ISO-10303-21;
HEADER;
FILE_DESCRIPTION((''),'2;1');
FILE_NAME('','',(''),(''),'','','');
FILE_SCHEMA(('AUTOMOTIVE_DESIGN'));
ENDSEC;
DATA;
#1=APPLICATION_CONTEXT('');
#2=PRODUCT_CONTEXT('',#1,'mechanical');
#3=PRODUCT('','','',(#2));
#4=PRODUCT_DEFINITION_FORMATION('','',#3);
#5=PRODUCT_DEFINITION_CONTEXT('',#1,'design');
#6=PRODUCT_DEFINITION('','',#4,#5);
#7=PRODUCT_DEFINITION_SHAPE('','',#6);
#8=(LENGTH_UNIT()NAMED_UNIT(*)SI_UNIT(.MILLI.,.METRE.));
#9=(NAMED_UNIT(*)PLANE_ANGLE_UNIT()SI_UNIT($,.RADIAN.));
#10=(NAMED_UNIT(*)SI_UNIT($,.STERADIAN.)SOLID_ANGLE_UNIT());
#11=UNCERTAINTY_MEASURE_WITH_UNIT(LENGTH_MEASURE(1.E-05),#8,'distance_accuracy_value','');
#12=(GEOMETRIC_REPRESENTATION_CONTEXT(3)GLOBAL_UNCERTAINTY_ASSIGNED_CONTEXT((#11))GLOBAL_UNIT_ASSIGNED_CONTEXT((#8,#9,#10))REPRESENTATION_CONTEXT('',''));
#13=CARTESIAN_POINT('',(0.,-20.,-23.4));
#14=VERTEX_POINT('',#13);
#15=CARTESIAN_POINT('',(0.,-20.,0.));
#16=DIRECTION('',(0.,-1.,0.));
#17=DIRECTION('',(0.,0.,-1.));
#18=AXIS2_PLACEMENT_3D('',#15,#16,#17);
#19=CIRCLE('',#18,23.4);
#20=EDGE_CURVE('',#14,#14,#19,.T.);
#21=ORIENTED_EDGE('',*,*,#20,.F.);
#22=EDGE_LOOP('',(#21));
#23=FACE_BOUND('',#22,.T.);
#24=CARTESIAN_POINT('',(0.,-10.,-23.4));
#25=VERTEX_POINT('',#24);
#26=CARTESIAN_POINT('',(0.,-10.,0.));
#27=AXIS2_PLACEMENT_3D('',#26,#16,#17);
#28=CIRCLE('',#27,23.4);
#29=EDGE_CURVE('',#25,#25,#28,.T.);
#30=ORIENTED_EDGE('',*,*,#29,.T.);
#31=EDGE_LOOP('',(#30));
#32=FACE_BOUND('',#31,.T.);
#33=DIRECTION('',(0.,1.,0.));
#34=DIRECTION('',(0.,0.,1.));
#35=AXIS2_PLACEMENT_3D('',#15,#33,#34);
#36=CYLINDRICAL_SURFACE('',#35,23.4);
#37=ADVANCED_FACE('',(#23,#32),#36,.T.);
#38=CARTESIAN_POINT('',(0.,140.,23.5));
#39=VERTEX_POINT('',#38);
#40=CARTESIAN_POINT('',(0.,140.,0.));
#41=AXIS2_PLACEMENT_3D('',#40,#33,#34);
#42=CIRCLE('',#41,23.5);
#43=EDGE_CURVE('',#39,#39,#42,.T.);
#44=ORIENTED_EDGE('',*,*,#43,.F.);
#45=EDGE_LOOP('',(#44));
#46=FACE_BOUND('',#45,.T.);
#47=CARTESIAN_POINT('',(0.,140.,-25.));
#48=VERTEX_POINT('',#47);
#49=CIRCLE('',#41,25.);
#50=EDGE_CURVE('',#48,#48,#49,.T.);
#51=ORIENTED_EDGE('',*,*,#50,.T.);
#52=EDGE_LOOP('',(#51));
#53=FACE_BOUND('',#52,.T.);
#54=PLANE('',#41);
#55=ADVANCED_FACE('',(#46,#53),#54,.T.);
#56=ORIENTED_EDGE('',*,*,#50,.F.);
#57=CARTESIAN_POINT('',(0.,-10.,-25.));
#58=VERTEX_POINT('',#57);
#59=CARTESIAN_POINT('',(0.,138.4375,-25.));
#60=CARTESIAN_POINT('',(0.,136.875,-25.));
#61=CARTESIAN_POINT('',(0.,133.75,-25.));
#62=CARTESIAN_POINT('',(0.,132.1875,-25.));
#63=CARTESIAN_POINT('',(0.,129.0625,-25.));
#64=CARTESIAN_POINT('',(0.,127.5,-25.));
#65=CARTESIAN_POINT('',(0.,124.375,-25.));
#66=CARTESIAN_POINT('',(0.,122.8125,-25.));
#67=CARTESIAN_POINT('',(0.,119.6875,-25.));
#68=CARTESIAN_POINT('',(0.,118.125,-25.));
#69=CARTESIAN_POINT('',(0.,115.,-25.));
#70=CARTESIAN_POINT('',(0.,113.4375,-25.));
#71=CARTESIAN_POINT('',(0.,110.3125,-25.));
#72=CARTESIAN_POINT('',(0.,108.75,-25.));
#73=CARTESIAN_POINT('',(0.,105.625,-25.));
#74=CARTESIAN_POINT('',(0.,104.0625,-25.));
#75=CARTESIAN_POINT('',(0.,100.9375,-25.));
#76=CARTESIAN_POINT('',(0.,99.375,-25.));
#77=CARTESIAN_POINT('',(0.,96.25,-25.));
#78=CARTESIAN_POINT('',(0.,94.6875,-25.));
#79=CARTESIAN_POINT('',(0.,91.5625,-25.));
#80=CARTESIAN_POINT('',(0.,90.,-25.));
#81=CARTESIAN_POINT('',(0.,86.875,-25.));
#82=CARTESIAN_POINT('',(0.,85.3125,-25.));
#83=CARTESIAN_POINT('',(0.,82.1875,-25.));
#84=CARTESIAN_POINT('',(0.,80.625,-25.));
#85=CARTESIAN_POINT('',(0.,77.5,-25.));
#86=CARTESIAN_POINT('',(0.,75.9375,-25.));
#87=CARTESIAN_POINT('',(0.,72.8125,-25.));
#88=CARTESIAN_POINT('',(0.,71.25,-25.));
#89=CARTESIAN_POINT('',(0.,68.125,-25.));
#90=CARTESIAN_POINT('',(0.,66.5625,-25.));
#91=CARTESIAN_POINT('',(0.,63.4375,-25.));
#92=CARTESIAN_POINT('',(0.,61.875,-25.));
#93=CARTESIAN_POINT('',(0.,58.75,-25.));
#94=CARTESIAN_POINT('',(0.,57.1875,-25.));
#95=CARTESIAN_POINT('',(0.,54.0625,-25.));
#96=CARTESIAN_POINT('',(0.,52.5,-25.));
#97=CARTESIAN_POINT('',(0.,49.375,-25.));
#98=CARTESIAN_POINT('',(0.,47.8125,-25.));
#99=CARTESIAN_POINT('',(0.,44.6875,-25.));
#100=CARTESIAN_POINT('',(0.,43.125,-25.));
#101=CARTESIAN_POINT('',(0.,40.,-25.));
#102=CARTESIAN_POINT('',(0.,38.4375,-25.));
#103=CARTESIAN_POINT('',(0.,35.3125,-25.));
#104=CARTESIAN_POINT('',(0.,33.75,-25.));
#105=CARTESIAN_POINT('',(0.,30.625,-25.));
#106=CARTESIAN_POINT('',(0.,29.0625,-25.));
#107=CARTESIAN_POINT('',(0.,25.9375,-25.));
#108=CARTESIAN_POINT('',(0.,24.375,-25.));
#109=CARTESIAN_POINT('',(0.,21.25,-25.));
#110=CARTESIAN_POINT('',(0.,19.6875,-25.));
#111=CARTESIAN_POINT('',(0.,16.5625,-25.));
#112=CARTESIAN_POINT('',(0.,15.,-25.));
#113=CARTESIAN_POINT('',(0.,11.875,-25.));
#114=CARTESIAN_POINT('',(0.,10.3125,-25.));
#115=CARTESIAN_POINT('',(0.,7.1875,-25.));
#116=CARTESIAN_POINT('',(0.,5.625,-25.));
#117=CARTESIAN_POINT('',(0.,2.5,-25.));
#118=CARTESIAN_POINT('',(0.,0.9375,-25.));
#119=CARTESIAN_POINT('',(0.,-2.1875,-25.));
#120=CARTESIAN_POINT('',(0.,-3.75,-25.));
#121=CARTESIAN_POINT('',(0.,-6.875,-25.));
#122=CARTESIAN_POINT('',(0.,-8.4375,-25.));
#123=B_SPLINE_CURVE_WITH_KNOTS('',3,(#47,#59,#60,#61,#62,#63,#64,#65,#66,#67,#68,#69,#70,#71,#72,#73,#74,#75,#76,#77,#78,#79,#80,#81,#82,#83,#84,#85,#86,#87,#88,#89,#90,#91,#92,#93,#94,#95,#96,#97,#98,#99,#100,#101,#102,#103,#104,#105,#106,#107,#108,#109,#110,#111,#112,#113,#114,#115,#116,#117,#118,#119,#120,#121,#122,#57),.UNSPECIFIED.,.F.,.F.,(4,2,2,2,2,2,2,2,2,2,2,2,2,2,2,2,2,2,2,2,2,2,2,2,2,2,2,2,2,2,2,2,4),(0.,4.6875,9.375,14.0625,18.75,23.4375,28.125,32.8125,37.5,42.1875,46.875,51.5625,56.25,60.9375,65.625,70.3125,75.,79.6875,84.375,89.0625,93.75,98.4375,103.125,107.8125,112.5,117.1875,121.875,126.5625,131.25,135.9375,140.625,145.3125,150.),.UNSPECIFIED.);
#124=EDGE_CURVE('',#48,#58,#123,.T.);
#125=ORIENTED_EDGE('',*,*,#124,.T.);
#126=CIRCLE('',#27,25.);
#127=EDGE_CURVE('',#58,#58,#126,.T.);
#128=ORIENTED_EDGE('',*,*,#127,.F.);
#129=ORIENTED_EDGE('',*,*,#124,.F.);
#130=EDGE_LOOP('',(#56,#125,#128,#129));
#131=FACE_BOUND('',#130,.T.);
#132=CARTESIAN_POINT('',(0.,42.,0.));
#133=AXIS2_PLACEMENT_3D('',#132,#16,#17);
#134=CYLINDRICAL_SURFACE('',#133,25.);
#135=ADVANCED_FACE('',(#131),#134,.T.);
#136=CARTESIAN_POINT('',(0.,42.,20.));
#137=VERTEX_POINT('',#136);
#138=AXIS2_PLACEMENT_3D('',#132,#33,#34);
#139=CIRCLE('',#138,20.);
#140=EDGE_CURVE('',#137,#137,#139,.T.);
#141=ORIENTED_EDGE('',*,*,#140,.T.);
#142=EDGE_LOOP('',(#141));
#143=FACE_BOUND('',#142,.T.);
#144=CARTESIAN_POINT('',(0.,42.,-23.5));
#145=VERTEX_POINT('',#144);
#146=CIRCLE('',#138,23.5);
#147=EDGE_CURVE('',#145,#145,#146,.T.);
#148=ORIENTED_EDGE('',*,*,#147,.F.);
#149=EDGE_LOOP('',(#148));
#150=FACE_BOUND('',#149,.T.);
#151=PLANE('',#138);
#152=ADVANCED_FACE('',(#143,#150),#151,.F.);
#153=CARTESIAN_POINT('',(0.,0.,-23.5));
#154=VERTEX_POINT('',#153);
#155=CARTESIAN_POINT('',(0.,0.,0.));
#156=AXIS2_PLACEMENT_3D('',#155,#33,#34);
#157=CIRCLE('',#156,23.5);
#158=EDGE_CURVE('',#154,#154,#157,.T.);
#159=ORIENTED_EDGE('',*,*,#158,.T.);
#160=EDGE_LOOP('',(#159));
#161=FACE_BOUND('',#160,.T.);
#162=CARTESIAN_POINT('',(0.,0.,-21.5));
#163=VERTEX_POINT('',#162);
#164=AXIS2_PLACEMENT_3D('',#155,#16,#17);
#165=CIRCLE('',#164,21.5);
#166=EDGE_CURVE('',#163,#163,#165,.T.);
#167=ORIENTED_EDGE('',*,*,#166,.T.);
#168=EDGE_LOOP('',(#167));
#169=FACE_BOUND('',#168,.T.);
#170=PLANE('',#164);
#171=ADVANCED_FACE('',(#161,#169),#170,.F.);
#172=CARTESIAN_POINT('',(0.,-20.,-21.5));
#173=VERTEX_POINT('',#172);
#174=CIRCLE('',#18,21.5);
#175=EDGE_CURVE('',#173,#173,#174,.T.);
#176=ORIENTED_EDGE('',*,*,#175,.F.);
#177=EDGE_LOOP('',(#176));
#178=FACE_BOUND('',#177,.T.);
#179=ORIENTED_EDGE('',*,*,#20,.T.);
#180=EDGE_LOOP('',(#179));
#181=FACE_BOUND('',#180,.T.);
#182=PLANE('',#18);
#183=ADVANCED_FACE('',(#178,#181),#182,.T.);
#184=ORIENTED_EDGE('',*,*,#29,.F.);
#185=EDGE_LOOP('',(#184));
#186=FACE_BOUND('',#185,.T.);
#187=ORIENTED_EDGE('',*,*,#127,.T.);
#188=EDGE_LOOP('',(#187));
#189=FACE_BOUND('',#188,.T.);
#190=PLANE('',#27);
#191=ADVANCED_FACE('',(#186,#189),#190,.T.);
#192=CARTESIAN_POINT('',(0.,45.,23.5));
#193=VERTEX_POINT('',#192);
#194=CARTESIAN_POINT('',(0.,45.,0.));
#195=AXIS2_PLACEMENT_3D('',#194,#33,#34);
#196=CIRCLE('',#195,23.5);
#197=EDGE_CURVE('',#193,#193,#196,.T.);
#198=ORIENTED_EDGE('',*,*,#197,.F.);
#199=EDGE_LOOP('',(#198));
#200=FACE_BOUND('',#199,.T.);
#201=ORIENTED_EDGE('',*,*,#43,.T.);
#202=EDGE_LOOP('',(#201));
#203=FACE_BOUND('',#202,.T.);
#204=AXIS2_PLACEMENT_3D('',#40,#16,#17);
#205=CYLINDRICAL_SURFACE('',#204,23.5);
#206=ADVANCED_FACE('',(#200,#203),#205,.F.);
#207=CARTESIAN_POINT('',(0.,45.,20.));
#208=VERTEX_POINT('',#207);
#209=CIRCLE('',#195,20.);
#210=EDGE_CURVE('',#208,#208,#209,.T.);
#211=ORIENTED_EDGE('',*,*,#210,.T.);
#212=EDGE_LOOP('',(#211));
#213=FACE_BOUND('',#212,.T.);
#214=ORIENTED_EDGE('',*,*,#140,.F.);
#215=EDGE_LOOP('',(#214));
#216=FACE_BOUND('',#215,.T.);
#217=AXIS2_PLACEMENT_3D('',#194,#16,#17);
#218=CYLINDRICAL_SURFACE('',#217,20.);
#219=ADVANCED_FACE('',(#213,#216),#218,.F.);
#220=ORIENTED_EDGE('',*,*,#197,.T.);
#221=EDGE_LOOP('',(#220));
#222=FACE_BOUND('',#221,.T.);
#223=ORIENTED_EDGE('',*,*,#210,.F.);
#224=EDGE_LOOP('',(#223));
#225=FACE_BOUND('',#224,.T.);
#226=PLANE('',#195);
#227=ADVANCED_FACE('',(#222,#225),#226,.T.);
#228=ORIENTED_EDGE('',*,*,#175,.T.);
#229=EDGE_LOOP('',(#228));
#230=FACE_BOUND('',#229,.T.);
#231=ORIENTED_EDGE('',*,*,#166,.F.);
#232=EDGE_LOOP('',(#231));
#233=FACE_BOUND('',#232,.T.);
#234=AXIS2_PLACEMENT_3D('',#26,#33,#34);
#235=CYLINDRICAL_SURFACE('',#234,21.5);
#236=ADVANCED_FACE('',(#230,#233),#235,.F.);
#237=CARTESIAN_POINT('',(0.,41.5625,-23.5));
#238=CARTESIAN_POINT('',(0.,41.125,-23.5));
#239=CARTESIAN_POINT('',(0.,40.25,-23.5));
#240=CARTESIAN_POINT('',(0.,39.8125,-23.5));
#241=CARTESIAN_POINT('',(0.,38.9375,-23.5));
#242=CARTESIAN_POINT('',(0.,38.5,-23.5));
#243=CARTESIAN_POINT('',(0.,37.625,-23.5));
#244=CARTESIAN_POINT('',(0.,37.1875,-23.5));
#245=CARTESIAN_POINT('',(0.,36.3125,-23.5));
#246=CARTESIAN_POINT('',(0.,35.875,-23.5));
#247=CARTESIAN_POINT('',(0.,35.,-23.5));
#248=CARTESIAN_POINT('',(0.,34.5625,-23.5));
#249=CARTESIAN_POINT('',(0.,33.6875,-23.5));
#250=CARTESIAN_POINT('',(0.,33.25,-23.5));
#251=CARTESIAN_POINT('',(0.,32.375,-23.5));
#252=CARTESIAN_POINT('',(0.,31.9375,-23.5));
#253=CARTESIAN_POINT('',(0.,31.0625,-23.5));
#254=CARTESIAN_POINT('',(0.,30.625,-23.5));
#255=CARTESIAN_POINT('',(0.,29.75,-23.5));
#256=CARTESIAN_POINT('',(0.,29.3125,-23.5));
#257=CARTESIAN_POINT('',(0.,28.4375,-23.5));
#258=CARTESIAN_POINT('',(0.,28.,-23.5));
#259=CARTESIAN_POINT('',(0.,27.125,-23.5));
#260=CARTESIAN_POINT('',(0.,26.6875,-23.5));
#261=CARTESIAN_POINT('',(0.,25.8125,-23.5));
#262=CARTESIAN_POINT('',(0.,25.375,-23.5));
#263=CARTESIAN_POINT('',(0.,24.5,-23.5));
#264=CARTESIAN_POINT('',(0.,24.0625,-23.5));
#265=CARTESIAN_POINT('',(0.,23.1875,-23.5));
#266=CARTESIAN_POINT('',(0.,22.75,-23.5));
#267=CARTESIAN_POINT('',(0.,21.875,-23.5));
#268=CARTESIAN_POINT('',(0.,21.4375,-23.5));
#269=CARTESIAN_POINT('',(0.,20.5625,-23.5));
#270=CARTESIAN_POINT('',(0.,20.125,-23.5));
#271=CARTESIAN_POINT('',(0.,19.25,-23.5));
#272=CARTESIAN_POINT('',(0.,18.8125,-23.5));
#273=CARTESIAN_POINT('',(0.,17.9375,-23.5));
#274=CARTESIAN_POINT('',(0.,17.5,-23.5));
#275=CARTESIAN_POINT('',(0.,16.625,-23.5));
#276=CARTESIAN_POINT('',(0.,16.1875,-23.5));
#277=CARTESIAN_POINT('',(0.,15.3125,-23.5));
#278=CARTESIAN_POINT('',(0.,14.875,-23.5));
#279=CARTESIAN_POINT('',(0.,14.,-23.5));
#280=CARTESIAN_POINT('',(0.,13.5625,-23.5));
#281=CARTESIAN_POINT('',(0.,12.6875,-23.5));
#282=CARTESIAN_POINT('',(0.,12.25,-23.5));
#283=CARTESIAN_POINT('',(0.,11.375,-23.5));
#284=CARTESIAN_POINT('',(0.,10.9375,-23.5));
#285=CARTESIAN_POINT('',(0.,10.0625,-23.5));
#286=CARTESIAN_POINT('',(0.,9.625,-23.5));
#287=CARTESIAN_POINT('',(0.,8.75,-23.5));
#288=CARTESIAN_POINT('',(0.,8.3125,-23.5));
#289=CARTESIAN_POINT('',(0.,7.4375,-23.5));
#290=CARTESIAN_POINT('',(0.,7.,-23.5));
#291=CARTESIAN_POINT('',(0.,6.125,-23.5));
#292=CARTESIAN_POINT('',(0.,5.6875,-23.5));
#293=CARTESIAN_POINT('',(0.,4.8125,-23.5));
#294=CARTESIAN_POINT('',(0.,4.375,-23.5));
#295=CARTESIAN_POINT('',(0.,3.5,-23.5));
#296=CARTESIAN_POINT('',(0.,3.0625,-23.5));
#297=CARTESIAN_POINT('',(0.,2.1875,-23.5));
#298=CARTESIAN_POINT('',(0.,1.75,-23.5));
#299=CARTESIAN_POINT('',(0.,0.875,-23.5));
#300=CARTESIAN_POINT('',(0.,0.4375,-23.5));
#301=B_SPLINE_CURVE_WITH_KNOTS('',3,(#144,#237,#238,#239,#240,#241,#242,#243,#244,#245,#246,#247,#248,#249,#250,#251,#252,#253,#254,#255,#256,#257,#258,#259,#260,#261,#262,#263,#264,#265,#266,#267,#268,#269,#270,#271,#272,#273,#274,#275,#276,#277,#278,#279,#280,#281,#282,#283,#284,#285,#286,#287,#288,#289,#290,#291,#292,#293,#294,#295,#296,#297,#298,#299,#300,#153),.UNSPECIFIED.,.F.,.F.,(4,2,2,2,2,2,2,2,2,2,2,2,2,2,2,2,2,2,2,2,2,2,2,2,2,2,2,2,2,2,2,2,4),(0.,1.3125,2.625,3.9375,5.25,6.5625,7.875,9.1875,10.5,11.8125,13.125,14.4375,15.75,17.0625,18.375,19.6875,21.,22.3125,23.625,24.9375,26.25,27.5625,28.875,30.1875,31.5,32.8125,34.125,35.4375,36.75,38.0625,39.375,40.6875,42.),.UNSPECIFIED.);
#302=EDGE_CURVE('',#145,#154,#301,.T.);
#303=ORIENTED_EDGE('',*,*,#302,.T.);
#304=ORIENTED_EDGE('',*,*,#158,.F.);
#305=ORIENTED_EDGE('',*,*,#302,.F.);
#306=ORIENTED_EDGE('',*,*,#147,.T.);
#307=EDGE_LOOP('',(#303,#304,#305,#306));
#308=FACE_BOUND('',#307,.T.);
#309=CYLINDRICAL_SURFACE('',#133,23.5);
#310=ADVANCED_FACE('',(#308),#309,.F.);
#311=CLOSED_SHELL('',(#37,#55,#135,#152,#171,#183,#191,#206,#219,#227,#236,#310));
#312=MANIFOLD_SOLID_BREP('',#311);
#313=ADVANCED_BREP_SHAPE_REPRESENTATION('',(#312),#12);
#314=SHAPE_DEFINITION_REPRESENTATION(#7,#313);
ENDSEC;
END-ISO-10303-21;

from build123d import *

# Parameters (mm, degrees)
ESQUISSE1_R        = 25
ESQUISSE1_R_2      = 23.5
BOSS_EXTRU_1_DEPTH = 42
ESQUISSE4_R        = 25
ESQUISSE4_R_2      = 20
BOSS_EXTRU_4_DEPTH = 3
ESQUISSE5_R        = 25
ESQUISSE5_R_2      = 23.5
BOSS_EXTRU_5_DEPTH = 95
BOSS_EXTRU_6_START = 10
ESQUISSE7_R        = 25
ESQUISSE7_R_2      = 21.5
BOSS_EXTRU_6_DEPTH = 10
BOSS_EXTRU_7_START = 10
ESQUISSE8_R        = 23.4
ESQUISSE8_R_2      = 21.5
BOSS_EXTRU_7_DEPTH = 10


with BuildPart() as part:
    # Esquisse1 → Boss.-Extru.1 (new body)
    with BuildSketch(Plane(origin=(0, 0, 0), x_dir=(1, 0, 0), z_dir=(0, 1, 0))):
        with Locations(Location((0, 0, 0), (0, 0, 90))):
            Circle(ESQUISSE1_R)
        with Locations(Location((0, 0, 0), (0, 0, 90))):
            Circle(ESQUISSE1_R_2, mode=Mode.SUBTRACT)
    extrude(amount=BOSS_EXTRU_1_DEPTH)

    # Esquisse4 → Boss.-Extru.4 (add)
    with BuildSketch(Plane(origin=(0, 42, 0), x_dir=(1, 0, 0), z_dir=(0, 1, 0))):
        with Locations(Location((0, 0, 0), (0, 0, 90))):
            Circle(ESQUISSE4_R)
        with Locations(Location((0, 0, 0), (0, 0, 270))):
            Circle(ESQUISSE4_R_2, mode=Mode.SUBTRACT)
    extrude(amount=BOSS_EXTRU_4_DEPTH)

    # Esquisse5 → Boss.-Extru.5 (add)
    with BuildSketch(Plane(origin=(0, 45, 0), x_dir=(1, 0, 0), z_dir=(0, 1, 0))):
        with Locations(Location((0, 0, 0), (0, 0, 90))):
            Circle(ESQUISSE5_R)
        with Locations(Location((0, 0, 0), (0, 0, 90))):
            Circle(ESQUISSE5_R_2, mode=Mode.SUBTRACT)
    extrude(amount=BOSS_EXTRU_5_DEPTH)

    # Esquisse7 → Boss.-Extru.6 (add)
    with BuildSketch(Plane.XZ.offset(BOSS_EXTRU_6_START)):
        with Locations(Location((0, 0, 0), (0, 0, 270))):
            Circle(ESQUISSE7_R)
        with Locations(Location((0, 0, 0), (0, 0, 270))):
            Circle(ESQUISSE7_R_2, mode=Mode.SUBTRACT)
    extrude(amount=-BOSS_EXTRU_6_DEPTH)

    # Esquisse8 → Boss.-Extru.7 (add)
    with BuildSketch(Plane.XZ.offset(10).offset(BOSS_EXTRU_7_START)):
        with Locations(Location((0, 0, 0), (0, 0, 270))):
            Circle(ESQUISSE8_R)
        with Locations(Location((0, 0, 0), (0, 0, 270))):
            Circle(ESQUISSE8_R_2, mode=Mode.SUBTRACT)
    extrude(amount=-BOSS_EXTRU_7_DEPTH)


solid = part.part
